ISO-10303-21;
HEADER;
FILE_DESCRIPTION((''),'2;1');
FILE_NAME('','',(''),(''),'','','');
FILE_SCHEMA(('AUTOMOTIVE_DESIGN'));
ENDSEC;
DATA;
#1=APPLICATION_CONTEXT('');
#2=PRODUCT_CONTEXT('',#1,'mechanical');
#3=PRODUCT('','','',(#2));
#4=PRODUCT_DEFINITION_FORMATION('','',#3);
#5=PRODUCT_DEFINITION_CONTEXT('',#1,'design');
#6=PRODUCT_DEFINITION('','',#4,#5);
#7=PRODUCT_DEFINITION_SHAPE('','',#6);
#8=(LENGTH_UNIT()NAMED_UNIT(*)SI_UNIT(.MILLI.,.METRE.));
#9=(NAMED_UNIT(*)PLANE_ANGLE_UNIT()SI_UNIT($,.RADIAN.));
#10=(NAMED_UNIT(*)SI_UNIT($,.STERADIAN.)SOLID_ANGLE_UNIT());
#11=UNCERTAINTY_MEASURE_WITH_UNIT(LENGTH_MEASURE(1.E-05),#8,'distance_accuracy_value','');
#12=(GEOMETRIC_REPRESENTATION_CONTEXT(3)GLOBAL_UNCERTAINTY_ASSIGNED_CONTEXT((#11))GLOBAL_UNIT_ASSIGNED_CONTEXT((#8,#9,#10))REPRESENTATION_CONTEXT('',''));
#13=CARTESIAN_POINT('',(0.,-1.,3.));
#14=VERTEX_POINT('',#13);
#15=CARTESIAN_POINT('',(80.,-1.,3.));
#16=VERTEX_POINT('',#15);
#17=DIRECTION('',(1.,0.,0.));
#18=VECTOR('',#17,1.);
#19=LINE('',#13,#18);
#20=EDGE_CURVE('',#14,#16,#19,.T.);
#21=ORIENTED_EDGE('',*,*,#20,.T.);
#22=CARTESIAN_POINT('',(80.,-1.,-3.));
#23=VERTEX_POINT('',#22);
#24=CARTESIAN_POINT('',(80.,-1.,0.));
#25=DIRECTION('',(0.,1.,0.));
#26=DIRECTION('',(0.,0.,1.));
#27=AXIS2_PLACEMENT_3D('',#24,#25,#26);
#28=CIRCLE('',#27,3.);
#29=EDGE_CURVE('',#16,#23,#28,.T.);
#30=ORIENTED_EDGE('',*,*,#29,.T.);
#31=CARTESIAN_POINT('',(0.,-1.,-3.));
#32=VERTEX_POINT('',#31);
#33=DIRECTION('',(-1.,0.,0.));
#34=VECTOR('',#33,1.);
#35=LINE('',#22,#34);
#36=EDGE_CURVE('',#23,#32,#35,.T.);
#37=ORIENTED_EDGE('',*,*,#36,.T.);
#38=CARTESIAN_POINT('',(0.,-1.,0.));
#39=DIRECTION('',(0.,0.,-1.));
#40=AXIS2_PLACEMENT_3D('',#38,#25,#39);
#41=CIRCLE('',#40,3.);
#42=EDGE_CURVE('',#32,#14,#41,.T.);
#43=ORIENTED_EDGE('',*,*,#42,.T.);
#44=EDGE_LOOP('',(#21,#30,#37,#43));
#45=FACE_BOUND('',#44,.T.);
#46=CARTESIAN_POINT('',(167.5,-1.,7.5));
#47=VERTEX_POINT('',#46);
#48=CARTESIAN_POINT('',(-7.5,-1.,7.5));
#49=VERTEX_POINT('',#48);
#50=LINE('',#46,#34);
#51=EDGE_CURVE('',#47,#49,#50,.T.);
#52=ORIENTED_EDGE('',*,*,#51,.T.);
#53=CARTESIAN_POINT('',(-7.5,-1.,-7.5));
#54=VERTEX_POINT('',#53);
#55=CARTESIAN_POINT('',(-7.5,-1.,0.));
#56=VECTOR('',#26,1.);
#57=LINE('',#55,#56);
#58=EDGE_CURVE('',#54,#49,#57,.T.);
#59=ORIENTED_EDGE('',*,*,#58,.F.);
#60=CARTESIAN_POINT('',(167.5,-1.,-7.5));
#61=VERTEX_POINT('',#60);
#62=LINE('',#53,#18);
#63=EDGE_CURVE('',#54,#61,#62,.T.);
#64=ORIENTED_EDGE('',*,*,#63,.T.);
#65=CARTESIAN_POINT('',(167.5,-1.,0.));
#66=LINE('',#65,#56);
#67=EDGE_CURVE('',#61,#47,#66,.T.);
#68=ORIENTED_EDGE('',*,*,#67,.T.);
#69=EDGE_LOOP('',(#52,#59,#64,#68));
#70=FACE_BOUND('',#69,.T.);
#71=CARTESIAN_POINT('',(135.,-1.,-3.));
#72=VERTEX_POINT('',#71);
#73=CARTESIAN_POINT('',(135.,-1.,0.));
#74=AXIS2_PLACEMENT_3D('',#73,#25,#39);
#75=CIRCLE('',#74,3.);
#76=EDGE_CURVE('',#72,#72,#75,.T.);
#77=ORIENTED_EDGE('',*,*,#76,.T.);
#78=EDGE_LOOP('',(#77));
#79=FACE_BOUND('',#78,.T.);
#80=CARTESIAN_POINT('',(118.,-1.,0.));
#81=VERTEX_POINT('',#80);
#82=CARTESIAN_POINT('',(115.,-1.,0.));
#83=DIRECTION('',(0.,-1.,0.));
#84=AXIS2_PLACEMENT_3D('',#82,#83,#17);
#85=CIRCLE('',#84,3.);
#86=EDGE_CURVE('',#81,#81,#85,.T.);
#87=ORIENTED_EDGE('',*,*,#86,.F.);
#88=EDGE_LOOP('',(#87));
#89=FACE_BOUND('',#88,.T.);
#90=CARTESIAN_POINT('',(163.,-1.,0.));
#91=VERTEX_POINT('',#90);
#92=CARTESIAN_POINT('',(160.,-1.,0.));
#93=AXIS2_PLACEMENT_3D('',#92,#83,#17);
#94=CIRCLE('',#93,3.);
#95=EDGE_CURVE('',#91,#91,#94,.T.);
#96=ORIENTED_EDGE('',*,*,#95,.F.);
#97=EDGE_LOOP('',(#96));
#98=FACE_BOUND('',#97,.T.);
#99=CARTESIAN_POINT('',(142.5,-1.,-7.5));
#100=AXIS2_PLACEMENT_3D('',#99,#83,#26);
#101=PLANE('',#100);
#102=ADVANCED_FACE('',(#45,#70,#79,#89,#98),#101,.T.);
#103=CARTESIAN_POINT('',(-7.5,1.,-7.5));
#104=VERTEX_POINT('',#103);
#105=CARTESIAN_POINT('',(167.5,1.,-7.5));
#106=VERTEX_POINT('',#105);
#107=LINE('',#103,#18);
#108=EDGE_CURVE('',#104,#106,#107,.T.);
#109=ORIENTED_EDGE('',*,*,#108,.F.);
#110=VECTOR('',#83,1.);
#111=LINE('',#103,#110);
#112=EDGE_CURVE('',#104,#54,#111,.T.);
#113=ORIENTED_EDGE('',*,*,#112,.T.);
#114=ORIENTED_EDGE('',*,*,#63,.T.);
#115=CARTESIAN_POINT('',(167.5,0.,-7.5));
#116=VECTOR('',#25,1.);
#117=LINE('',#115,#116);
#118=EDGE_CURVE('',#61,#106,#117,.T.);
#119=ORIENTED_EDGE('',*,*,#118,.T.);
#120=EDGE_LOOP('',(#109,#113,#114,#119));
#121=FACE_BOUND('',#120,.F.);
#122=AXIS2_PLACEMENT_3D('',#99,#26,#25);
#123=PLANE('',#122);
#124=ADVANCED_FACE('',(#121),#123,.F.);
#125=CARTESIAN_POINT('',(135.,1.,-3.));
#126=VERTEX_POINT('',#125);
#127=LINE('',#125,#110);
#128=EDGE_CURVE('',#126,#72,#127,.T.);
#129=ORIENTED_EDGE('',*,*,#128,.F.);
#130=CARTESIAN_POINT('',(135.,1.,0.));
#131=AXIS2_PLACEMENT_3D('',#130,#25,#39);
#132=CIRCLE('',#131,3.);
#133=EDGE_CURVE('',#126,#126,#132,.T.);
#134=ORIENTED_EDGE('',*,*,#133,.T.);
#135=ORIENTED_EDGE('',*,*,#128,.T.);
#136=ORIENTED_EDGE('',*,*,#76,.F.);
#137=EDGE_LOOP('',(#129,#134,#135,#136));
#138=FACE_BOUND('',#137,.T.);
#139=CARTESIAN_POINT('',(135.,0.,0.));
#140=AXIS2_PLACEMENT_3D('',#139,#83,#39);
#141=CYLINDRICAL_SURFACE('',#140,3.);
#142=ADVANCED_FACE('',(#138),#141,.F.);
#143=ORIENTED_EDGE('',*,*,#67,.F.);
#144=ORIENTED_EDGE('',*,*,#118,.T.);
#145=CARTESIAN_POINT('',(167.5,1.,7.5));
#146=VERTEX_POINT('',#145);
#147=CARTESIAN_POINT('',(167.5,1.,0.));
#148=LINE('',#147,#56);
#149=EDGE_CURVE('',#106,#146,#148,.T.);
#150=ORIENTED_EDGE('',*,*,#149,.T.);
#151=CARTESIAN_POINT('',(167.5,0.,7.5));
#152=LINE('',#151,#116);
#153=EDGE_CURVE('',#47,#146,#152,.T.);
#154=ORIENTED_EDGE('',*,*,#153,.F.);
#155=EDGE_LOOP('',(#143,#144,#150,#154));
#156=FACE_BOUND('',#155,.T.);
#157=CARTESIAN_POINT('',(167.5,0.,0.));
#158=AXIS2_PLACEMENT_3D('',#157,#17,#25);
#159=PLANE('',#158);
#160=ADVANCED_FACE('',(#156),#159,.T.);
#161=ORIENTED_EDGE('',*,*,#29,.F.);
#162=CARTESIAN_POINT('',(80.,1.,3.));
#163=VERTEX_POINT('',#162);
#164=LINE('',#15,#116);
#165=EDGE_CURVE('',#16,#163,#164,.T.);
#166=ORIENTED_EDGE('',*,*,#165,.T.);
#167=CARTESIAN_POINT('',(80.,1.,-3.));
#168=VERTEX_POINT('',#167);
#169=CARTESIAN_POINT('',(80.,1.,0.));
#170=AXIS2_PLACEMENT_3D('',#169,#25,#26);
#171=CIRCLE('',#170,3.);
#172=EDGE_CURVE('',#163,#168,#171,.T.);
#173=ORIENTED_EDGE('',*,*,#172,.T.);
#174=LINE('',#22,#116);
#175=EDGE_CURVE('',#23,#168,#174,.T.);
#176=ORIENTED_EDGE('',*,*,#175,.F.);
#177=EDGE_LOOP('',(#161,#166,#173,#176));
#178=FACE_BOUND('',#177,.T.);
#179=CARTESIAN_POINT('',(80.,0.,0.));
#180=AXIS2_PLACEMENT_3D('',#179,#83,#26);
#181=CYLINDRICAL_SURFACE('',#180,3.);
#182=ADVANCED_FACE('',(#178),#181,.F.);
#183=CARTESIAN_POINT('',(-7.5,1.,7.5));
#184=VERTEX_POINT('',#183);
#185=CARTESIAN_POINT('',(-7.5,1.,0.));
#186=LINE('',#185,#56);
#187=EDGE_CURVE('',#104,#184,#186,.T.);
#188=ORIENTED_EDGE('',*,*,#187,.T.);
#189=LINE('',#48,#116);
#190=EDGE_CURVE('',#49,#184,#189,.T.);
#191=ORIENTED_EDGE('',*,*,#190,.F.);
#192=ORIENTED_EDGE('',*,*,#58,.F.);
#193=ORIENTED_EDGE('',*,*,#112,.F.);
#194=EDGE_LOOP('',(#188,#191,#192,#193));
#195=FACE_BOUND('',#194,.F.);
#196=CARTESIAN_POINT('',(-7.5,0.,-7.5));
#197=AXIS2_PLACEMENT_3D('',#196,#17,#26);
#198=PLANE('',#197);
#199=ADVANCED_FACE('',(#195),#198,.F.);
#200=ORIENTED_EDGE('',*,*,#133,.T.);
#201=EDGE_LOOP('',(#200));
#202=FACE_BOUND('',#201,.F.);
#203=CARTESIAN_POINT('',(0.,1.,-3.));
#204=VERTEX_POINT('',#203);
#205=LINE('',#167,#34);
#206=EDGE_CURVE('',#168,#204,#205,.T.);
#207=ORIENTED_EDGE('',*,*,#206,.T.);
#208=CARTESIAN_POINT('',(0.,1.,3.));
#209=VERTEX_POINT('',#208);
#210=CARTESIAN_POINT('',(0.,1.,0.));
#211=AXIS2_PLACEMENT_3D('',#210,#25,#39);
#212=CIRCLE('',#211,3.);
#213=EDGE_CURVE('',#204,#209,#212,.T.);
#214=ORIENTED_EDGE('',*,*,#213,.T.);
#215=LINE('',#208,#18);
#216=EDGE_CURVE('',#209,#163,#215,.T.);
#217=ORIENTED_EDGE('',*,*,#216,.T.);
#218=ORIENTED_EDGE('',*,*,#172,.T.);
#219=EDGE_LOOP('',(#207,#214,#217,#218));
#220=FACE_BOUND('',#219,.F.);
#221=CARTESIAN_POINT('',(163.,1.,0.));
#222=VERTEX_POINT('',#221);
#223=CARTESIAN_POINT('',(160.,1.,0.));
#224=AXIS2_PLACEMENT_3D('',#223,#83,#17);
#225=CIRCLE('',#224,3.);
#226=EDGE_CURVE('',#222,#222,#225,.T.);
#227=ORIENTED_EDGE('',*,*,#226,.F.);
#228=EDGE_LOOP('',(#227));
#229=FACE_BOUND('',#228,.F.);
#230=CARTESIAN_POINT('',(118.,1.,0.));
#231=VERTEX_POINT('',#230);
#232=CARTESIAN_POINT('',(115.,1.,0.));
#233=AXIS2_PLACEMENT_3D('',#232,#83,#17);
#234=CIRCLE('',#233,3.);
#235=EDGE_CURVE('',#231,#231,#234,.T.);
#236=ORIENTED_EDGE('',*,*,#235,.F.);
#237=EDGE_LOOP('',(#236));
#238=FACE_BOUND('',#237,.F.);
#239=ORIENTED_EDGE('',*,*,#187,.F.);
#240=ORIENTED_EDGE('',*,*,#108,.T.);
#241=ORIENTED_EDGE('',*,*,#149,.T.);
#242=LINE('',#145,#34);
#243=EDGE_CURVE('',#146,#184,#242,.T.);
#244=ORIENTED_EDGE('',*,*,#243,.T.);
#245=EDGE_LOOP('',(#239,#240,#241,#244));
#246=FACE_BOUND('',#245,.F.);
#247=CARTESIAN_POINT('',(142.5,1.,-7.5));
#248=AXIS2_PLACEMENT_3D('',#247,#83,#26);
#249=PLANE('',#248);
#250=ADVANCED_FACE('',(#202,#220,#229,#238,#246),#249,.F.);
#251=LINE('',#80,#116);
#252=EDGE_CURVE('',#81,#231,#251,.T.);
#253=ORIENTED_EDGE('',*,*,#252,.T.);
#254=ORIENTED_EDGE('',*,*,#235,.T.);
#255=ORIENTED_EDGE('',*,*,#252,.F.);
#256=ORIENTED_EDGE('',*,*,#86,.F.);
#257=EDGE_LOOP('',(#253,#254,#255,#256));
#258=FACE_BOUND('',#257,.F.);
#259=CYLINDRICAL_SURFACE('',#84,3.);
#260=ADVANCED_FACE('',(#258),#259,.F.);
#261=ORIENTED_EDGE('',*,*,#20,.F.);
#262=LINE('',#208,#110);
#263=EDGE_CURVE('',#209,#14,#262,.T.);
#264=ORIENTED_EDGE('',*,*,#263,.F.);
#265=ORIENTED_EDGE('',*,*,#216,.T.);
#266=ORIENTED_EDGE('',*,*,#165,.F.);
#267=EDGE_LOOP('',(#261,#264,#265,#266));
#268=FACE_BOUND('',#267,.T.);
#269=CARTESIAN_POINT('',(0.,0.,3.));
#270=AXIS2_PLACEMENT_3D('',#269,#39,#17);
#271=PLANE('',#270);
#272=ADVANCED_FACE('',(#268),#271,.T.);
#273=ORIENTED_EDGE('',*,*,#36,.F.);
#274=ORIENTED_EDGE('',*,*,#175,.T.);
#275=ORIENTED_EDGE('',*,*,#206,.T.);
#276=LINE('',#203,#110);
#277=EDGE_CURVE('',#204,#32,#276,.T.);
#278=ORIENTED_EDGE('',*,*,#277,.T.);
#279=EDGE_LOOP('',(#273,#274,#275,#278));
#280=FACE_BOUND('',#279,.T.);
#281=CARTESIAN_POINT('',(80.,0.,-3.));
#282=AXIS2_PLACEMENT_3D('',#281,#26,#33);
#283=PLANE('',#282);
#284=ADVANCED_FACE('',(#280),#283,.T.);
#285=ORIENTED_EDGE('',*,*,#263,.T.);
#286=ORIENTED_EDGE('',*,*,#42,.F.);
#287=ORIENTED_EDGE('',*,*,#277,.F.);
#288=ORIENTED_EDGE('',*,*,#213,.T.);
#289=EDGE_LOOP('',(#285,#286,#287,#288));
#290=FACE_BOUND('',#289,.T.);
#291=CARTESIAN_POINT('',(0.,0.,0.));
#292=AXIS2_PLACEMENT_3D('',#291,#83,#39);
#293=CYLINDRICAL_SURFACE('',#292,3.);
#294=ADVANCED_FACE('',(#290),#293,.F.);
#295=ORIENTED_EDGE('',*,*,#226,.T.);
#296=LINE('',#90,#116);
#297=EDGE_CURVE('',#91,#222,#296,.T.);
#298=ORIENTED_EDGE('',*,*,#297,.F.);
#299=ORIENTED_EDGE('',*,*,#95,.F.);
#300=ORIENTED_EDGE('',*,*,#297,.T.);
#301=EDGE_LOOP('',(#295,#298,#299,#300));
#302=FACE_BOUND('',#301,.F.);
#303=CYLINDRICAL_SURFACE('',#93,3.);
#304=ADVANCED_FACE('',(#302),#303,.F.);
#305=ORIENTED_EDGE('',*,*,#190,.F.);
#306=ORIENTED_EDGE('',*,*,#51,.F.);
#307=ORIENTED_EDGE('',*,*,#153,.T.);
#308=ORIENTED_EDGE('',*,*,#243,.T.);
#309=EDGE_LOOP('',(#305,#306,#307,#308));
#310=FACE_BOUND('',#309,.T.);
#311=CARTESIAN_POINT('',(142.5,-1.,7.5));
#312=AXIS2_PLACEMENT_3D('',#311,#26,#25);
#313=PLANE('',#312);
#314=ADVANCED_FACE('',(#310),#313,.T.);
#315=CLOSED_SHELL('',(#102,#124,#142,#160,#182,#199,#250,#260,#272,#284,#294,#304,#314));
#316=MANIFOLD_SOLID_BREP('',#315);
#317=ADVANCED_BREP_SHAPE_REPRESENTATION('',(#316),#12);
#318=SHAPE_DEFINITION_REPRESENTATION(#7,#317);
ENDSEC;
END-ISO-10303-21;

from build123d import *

# Parameters (mm, degrees)
F0_W     = 150
F0_H     = 15
F1_DEPTH = 1
F2_W     = 2
F2_H     = 15
F3_DEPTH = 25
F4_R     = 3
F5_DEPTH = 2.001
F6_R     = 3
F7_DEPTH = 2.001


with BuildPart() as f1:
    # F0 (on Front) → F1 (new body, symmetric)
    with BuildSketch(Plane.XZ):
        with Locations((67.5, 0)):
            Rectangle(F0_W, F0_H)
        with BuildLine():
            ThreePointArc((0, -3), (-3, 0), (0, 3))
            Line((0, 3), (80, 3))
            ThreePointArc((80, 3), (83, 0), (80, -3))
            Line((80, -3), (0, -3))
        make_face(mode=Mode.SUBTRACT)
        with BuildLine():
            ThreePointArc((135, 3), (138, 0), (135, -3))
            ThreePointArc((135, -3), (132, 0), (135, 3))
        make_face(mode=Mode.SUBTRACT)
    extrude(amount=F1_DEPTH, both=True)

    # F2 (on face) → F3 (join)
    with BuildSketch(Plane.YZ.offset(142.5)):
        Rectangle(F2_W, F2_H)
    extrude(amount=F3_DEPTH)

    # F4 (on face) → F5 (cut, through all)
    with BuildSketch(Plane.XZ.offset(1)):
        with Locations((160, 0)):
            Circle(F4_R)
    extrude(amount=-F5_DEPTH, mode=Mode.SUBTRACT)

    # F6 (on face) → F7 (cut, through all)
    with BuildSketch(Plane.XZ.offset(1)):
        with Locations((115, 0)):
            Circle(F6_R)
    extrude(amount=-F7_DEPTH, mode=Mode.SUBTRACT)


solid = f1.part
